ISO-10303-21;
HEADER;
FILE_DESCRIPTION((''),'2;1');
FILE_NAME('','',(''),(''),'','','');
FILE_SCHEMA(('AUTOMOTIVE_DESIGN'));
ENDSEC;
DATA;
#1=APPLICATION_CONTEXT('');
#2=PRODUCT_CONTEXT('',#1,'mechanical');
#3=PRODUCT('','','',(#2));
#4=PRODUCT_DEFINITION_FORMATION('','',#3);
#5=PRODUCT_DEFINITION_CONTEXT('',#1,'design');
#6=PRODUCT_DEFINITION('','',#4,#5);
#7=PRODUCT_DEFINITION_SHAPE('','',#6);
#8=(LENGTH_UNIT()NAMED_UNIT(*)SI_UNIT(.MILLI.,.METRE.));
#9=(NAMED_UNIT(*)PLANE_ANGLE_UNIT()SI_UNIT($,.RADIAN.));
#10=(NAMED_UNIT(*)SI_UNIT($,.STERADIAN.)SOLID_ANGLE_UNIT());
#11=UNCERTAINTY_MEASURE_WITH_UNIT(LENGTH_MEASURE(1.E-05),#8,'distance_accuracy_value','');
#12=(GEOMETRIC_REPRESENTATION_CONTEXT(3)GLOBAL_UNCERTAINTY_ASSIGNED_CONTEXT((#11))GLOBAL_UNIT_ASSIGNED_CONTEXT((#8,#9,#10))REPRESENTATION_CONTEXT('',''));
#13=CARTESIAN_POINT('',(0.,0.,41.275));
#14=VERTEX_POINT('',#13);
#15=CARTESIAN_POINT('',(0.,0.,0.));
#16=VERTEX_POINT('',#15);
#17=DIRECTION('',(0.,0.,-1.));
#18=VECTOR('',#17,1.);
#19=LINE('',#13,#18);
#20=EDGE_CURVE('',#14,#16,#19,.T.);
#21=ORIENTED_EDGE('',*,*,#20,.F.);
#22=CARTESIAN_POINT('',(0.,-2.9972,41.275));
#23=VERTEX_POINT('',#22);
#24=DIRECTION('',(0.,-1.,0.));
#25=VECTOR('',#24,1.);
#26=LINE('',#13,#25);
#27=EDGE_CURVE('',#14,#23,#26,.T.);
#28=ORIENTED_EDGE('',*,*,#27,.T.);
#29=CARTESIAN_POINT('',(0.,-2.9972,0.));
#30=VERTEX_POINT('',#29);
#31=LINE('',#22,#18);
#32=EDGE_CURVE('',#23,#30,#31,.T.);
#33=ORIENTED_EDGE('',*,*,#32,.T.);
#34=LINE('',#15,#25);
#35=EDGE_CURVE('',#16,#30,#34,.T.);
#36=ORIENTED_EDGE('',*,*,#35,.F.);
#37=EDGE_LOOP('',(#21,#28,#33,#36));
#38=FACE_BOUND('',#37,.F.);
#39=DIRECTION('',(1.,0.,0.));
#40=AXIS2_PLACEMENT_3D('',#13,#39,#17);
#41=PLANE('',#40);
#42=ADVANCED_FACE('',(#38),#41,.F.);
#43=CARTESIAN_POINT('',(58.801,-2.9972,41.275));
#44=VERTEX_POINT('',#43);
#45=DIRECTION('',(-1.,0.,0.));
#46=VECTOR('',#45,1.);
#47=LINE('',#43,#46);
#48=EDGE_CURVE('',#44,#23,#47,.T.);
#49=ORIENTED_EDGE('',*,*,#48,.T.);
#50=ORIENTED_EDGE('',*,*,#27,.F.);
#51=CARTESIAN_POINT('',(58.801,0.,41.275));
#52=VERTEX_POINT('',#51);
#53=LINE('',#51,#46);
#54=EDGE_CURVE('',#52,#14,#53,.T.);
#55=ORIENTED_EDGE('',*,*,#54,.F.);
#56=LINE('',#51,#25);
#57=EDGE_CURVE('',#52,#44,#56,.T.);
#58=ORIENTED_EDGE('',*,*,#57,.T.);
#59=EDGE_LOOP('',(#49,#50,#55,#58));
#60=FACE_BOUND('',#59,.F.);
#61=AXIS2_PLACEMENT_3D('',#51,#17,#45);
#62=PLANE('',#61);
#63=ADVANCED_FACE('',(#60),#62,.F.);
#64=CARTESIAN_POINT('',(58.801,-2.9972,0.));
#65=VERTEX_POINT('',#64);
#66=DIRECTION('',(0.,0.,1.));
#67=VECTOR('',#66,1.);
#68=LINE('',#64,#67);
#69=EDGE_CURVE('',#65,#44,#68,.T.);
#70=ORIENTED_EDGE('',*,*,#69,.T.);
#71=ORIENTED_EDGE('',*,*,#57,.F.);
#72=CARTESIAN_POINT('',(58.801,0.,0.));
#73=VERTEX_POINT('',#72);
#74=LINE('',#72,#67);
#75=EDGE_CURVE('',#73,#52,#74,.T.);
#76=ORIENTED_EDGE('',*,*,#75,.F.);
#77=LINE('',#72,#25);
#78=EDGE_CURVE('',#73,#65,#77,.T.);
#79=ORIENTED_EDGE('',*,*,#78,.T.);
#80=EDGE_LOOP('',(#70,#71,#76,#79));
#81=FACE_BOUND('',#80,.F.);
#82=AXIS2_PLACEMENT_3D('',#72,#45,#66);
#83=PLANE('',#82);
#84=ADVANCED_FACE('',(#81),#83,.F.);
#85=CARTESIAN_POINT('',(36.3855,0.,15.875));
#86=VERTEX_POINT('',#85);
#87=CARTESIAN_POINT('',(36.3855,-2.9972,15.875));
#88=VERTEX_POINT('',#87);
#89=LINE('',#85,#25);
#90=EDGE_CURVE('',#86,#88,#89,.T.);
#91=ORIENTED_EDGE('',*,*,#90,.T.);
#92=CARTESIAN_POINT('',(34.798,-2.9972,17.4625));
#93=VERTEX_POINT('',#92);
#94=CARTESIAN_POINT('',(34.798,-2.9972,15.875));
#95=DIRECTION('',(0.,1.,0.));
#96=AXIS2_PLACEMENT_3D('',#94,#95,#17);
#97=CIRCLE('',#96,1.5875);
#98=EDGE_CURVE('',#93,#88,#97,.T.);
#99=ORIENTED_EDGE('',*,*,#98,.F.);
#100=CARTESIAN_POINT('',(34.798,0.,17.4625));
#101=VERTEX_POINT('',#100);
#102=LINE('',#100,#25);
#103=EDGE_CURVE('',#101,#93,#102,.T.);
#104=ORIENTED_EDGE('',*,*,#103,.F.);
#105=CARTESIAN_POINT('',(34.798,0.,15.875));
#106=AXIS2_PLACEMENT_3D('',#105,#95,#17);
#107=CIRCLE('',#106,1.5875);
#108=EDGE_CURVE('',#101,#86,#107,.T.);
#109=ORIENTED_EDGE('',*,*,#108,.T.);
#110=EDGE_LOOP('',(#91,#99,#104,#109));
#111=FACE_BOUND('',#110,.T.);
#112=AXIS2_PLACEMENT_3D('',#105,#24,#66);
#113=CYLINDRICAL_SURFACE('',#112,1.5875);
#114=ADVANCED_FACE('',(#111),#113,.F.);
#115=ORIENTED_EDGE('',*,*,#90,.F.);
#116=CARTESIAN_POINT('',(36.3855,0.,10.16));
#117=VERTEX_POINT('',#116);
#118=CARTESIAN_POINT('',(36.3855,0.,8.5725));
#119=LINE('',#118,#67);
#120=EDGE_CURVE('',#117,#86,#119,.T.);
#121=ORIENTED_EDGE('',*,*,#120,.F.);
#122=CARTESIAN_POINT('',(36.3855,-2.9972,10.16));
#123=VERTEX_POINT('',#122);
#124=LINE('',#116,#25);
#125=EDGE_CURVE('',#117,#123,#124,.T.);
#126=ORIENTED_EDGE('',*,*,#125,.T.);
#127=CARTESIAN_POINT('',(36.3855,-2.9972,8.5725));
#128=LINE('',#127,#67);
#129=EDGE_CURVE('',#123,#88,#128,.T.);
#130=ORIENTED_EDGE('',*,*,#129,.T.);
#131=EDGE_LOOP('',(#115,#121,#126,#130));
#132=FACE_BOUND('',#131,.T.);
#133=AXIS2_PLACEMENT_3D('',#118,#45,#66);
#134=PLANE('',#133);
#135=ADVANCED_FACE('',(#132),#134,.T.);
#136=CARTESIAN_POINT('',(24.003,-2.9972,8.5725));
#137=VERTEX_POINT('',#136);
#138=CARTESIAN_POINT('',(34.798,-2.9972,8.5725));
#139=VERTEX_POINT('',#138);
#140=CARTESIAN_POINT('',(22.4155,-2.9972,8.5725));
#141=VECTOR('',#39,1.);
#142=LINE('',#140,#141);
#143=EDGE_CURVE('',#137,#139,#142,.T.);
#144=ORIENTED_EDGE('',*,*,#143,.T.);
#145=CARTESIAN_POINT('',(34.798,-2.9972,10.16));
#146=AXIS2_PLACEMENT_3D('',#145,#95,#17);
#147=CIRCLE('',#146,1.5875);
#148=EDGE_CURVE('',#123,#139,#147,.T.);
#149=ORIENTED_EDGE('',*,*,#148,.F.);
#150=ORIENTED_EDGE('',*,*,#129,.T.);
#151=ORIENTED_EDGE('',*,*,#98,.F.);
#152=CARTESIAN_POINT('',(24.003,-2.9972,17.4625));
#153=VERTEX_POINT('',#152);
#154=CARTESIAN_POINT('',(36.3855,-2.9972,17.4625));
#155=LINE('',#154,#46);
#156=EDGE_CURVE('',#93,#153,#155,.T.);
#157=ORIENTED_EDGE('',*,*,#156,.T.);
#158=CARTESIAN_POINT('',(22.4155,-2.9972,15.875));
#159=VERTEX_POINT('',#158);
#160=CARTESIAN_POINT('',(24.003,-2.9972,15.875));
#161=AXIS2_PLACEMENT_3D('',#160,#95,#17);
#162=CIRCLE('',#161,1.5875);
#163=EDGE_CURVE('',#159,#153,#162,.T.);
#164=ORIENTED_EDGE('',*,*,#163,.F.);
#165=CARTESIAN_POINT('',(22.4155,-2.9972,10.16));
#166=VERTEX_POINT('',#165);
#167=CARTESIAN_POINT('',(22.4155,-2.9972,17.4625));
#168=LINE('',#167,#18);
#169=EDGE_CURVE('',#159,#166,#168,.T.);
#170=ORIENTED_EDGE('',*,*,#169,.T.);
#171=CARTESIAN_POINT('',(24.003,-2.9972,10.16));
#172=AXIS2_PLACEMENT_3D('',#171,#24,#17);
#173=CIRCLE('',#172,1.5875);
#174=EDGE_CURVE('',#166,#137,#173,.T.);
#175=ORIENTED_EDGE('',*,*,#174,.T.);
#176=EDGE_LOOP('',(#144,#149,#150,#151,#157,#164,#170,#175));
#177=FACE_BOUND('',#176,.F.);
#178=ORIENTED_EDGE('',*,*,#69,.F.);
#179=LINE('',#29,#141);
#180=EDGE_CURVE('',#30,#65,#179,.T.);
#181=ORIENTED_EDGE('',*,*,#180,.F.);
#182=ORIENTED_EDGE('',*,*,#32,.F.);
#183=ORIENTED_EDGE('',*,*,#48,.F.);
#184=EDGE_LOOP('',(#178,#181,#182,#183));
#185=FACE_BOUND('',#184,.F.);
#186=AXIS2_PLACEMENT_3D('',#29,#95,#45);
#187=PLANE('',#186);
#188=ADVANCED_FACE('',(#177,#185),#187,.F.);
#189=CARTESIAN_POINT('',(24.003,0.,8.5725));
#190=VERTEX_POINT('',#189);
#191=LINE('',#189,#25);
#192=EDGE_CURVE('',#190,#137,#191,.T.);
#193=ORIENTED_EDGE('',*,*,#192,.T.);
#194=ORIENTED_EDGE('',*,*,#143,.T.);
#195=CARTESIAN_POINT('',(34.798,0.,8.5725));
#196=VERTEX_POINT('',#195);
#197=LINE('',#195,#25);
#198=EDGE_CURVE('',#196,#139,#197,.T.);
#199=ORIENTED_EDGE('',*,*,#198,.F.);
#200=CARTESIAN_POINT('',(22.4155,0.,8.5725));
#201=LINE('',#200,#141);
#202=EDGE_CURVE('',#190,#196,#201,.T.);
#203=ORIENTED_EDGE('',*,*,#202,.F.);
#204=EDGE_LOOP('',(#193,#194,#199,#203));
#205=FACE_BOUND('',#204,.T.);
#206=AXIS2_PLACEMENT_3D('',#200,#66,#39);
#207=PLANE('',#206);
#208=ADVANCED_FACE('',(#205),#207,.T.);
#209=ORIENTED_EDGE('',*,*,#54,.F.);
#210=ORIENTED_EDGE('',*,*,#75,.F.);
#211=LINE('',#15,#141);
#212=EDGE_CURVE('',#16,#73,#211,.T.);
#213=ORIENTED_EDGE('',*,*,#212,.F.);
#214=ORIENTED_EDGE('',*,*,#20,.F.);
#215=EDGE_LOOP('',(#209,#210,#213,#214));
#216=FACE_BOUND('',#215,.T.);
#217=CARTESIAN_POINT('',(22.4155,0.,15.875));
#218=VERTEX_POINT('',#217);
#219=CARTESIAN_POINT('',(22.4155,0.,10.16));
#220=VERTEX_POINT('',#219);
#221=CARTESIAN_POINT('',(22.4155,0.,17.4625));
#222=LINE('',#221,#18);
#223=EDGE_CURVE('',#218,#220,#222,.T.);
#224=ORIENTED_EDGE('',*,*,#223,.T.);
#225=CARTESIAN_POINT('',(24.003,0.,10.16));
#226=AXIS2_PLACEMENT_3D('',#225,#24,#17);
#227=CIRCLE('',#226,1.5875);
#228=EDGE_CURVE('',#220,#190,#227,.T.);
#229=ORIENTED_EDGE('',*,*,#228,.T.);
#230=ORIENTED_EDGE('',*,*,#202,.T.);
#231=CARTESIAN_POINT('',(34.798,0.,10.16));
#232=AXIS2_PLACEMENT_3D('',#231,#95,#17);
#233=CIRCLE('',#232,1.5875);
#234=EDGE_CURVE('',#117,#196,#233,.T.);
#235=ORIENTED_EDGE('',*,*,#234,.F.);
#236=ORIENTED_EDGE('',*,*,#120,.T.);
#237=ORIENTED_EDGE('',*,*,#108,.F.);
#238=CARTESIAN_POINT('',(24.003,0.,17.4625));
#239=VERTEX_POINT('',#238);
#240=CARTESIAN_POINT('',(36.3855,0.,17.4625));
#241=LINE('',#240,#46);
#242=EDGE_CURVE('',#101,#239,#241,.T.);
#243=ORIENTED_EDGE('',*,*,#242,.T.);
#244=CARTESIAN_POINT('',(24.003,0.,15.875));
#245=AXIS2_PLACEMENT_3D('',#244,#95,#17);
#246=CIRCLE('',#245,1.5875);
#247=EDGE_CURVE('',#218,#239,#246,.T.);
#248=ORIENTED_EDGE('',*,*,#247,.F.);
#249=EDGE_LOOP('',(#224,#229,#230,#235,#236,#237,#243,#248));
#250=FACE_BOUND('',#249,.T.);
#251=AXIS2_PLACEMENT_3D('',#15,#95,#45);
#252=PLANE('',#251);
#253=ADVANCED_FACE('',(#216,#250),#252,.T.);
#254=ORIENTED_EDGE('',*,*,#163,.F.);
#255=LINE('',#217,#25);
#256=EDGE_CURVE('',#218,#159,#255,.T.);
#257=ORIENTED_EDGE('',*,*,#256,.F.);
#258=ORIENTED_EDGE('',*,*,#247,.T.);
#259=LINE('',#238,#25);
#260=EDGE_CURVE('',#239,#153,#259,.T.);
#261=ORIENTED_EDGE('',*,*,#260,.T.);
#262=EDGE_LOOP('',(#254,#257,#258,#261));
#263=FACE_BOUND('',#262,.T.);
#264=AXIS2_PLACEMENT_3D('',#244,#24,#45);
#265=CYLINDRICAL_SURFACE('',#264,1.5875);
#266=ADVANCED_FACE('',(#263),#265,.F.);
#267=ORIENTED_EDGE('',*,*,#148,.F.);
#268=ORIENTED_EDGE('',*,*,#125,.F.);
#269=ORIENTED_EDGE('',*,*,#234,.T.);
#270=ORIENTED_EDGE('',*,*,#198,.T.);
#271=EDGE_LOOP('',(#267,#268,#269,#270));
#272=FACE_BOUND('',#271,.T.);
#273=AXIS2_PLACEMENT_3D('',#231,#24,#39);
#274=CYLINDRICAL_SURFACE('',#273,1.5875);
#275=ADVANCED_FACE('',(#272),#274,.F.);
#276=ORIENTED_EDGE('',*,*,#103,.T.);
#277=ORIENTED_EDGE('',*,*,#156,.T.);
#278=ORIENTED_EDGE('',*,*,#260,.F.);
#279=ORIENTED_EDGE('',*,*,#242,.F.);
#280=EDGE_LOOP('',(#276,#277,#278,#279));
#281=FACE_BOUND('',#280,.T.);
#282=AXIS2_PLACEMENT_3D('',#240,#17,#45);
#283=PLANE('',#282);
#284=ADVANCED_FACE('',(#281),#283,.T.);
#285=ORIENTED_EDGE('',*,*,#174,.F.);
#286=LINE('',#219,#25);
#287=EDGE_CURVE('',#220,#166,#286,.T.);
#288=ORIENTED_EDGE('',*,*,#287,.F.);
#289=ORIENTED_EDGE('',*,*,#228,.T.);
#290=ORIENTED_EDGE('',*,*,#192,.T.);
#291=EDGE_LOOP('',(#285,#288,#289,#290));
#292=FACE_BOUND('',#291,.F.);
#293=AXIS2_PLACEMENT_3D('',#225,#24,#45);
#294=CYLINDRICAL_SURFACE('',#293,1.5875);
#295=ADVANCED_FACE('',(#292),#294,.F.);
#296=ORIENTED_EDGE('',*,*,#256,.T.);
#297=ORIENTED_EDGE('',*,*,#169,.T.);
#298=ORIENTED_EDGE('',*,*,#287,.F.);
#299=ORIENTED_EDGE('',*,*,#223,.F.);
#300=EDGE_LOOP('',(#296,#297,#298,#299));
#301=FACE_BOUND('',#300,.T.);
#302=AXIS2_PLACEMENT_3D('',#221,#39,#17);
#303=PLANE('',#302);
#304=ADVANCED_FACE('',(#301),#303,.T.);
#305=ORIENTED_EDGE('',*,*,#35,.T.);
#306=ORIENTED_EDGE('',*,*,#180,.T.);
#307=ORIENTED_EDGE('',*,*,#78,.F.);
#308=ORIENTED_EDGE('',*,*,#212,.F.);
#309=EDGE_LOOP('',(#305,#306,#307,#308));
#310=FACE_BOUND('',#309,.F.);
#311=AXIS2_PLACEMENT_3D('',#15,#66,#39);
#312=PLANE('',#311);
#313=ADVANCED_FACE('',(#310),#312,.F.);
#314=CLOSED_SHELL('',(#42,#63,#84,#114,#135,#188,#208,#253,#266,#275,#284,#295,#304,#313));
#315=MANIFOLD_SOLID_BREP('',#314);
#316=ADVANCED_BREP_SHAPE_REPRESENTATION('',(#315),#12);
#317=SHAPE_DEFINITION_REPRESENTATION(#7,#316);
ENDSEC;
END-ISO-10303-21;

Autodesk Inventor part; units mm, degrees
ref_plane "YZ Plane" through (0, 0, 0) normal (1, 0, 0) x (0, 1, 0)
ref_plane "XZ Plane" through (0, 0, 0) normal (0, 1, 0) x (-1, 0, 0)
ref_plane "XY Plane" through (0, 0, 0) normal (0, 0, 1) x (1, 0, 0)
sketch "Sketch1" plane through (0, 0, 0) normal (0, 1, 0) x (-1, 0, 0)
  line L0 (0, 0) -> (-58.801, 0)
  line L1 (-58.801, 0) -> (-58.801, 41.275)
  line L2 (-58.801, 41.275) -> (0, 41.275)
  line L3 (0, 41.275) -> (0, 0)
  dimension "d0" = 41.275
  dimension "d1" = 58.801
extrude "Extrusion1" add sketch "Sketch1" against normal blind 2.9972
sketch "Sketch2" plane through (0, 0, 0) normal (0, 1, 0) x (1, 0, 0)
  line L0 (0, -41.275) -> (0, 0) projected
  line L1 (58.801, -41.275) -> (0, -41.275) projected
  line L2 (22.4155, -8.5725) -> (36.3855, -8.5725)
  line L3 (36.3855, -8.5725) -> (36.3855, -17.4625)
  line L4 (36.3855, -17.4625) -> (22.4155, -17.4625)
  line L5 (22.4155, -17.4625) -> (22.4155, -8.5725)
  point P0 (29.4005, -13.0175)
  dimension "d7" = 8.89
  dimension "d17" = 13.97
  dimension "d22" = 6.985
  dimension "d23" = 4.445
  dimension "d24" = 29.4005
  dimension "d26" = 28.2575
extrude "Extrusion2" cut sketch "Sketch2" against normal blind 2.9972
fillet "Fillet1" radius 1.5875 4 edges at (22.4155, -1.4986, 8.5725) (22.4155, -1.4986, 17.4625) (36.3855, -1.4986, 17.4625) (36.3855, -1.4986, 8.5725)
properties part number "Lidar Sensor Case 4 v2"
